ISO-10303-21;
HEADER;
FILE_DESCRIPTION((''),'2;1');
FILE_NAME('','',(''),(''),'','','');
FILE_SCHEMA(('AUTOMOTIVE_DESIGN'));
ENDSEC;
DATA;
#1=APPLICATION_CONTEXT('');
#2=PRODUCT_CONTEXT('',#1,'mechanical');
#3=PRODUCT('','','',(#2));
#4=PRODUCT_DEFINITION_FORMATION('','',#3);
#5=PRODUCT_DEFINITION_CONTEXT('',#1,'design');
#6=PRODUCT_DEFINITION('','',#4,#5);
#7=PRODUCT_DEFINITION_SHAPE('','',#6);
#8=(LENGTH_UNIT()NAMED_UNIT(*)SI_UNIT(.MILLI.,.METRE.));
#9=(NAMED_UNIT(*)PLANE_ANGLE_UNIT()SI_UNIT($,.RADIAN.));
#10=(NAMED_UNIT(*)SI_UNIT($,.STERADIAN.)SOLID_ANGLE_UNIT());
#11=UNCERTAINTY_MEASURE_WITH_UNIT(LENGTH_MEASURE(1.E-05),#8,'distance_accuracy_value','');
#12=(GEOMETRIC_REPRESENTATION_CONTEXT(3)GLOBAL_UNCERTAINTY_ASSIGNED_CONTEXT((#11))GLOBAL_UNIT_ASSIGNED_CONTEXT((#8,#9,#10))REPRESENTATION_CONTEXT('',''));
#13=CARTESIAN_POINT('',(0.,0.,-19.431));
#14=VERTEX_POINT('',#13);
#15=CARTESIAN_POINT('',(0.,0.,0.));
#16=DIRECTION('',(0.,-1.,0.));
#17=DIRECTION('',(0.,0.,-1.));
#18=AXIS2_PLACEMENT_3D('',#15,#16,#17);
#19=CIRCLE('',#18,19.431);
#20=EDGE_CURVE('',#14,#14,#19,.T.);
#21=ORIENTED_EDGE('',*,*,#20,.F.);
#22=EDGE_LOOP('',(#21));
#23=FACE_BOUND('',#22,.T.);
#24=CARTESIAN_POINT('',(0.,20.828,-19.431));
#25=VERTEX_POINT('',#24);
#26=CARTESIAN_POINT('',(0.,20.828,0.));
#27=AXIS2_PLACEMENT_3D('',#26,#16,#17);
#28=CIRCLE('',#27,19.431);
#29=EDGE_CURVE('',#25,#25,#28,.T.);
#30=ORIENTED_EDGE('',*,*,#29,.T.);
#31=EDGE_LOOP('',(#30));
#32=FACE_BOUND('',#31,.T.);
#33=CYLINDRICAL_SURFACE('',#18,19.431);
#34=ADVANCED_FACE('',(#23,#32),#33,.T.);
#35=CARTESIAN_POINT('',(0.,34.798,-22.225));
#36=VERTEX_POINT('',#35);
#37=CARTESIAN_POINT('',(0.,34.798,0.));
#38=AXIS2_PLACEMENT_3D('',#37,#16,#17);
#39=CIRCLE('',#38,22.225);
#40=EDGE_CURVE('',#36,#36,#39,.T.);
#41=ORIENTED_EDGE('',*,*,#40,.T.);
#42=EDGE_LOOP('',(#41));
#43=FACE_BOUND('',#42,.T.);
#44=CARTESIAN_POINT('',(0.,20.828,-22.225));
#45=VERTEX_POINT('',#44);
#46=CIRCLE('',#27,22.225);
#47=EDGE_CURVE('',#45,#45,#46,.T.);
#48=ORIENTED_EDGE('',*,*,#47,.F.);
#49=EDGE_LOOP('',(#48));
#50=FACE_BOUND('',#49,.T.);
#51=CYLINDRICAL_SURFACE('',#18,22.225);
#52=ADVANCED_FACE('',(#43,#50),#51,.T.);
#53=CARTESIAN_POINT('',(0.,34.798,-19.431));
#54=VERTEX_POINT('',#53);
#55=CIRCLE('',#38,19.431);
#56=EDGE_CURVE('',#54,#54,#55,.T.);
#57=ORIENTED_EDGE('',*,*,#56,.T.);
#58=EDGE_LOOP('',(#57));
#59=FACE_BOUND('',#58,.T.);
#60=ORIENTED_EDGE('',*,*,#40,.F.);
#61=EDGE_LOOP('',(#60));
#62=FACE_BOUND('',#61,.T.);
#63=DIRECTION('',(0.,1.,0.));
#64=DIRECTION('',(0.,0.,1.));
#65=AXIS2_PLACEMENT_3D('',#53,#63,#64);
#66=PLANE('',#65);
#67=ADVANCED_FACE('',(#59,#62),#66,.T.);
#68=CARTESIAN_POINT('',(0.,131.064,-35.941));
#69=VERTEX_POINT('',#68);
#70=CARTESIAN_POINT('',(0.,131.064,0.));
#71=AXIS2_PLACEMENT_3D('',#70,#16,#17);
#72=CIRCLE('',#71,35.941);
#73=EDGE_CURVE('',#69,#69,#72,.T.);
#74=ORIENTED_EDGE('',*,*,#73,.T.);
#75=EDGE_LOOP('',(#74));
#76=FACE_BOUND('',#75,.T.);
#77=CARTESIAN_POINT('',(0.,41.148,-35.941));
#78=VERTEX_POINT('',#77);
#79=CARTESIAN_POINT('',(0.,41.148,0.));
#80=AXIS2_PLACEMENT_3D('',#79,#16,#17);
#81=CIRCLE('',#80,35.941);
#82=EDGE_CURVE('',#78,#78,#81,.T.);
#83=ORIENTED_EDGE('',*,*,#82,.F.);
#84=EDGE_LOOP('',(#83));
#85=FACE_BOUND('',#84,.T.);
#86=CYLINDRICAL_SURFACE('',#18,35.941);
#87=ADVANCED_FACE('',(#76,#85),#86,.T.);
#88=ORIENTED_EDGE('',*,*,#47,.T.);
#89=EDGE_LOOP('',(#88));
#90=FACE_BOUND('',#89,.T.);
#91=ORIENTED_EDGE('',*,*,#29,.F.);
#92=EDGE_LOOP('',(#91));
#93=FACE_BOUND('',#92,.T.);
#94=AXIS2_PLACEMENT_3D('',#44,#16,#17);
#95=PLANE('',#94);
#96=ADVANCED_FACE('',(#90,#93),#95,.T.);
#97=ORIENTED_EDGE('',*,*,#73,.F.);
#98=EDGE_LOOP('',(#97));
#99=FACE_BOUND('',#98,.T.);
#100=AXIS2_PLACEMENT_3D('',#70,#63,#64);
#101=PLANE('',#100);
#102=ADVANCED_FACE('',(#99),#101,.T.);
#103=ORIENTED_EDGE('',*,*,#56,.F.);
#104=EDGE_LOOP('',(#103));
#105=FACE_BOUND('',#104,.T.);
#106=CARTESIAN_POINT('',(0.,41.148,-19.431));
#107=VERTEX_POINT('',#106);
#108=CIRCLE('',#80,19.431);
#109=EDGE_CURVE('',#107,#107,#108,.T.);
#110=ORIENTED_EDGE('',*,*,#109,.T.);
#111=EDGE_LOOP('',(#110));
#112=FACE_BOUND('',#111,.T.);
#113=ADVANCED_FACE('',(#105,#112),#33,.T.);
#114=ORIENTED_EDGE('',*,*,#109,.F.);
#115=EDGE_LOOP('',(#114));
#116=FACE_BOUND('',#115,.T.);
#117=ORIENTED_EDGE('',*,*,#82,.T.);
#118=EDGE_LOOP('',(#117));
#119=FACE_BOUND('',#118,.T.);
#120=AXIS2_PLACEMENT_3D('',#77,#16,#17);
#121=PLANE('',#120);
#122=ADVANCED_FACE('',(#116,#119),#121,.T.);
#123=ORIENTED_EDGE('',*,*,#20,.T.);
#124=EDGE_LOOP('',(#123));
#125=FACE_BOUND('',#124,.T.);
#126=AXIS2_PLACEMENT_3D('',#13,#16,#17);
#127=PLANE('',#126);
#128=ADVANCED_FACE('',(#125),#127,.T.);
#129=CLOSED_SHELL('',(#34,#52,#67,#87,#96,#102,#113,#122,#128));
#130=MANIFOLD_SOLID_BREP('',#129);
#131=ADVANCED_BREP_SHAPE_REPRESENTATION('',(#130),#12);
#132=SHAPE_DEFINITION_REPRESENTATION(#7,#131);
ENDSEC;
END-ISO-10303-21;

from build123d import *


with BuildPart() as part:
    # Sketch1 → Revolve1 (revolve)
    with BuildSketch(Plane(origin=(0, 0, 0), x_dir=(0, 0, -1), z_dir=(1, 0, 0))):
        Polygon((0, 0), (0, 131.064), (35.941, 131.064), (35.941, 41.148), (19.431, 41.148), (19.431, 34.798), (22.225, 34.798), (22.225, 20.828), (19.431, 20.828), (19.431, 0), align=None)
    revolve(axis=Axis((0, 0, 0), (0, 1, 0)))


solid = part.part
